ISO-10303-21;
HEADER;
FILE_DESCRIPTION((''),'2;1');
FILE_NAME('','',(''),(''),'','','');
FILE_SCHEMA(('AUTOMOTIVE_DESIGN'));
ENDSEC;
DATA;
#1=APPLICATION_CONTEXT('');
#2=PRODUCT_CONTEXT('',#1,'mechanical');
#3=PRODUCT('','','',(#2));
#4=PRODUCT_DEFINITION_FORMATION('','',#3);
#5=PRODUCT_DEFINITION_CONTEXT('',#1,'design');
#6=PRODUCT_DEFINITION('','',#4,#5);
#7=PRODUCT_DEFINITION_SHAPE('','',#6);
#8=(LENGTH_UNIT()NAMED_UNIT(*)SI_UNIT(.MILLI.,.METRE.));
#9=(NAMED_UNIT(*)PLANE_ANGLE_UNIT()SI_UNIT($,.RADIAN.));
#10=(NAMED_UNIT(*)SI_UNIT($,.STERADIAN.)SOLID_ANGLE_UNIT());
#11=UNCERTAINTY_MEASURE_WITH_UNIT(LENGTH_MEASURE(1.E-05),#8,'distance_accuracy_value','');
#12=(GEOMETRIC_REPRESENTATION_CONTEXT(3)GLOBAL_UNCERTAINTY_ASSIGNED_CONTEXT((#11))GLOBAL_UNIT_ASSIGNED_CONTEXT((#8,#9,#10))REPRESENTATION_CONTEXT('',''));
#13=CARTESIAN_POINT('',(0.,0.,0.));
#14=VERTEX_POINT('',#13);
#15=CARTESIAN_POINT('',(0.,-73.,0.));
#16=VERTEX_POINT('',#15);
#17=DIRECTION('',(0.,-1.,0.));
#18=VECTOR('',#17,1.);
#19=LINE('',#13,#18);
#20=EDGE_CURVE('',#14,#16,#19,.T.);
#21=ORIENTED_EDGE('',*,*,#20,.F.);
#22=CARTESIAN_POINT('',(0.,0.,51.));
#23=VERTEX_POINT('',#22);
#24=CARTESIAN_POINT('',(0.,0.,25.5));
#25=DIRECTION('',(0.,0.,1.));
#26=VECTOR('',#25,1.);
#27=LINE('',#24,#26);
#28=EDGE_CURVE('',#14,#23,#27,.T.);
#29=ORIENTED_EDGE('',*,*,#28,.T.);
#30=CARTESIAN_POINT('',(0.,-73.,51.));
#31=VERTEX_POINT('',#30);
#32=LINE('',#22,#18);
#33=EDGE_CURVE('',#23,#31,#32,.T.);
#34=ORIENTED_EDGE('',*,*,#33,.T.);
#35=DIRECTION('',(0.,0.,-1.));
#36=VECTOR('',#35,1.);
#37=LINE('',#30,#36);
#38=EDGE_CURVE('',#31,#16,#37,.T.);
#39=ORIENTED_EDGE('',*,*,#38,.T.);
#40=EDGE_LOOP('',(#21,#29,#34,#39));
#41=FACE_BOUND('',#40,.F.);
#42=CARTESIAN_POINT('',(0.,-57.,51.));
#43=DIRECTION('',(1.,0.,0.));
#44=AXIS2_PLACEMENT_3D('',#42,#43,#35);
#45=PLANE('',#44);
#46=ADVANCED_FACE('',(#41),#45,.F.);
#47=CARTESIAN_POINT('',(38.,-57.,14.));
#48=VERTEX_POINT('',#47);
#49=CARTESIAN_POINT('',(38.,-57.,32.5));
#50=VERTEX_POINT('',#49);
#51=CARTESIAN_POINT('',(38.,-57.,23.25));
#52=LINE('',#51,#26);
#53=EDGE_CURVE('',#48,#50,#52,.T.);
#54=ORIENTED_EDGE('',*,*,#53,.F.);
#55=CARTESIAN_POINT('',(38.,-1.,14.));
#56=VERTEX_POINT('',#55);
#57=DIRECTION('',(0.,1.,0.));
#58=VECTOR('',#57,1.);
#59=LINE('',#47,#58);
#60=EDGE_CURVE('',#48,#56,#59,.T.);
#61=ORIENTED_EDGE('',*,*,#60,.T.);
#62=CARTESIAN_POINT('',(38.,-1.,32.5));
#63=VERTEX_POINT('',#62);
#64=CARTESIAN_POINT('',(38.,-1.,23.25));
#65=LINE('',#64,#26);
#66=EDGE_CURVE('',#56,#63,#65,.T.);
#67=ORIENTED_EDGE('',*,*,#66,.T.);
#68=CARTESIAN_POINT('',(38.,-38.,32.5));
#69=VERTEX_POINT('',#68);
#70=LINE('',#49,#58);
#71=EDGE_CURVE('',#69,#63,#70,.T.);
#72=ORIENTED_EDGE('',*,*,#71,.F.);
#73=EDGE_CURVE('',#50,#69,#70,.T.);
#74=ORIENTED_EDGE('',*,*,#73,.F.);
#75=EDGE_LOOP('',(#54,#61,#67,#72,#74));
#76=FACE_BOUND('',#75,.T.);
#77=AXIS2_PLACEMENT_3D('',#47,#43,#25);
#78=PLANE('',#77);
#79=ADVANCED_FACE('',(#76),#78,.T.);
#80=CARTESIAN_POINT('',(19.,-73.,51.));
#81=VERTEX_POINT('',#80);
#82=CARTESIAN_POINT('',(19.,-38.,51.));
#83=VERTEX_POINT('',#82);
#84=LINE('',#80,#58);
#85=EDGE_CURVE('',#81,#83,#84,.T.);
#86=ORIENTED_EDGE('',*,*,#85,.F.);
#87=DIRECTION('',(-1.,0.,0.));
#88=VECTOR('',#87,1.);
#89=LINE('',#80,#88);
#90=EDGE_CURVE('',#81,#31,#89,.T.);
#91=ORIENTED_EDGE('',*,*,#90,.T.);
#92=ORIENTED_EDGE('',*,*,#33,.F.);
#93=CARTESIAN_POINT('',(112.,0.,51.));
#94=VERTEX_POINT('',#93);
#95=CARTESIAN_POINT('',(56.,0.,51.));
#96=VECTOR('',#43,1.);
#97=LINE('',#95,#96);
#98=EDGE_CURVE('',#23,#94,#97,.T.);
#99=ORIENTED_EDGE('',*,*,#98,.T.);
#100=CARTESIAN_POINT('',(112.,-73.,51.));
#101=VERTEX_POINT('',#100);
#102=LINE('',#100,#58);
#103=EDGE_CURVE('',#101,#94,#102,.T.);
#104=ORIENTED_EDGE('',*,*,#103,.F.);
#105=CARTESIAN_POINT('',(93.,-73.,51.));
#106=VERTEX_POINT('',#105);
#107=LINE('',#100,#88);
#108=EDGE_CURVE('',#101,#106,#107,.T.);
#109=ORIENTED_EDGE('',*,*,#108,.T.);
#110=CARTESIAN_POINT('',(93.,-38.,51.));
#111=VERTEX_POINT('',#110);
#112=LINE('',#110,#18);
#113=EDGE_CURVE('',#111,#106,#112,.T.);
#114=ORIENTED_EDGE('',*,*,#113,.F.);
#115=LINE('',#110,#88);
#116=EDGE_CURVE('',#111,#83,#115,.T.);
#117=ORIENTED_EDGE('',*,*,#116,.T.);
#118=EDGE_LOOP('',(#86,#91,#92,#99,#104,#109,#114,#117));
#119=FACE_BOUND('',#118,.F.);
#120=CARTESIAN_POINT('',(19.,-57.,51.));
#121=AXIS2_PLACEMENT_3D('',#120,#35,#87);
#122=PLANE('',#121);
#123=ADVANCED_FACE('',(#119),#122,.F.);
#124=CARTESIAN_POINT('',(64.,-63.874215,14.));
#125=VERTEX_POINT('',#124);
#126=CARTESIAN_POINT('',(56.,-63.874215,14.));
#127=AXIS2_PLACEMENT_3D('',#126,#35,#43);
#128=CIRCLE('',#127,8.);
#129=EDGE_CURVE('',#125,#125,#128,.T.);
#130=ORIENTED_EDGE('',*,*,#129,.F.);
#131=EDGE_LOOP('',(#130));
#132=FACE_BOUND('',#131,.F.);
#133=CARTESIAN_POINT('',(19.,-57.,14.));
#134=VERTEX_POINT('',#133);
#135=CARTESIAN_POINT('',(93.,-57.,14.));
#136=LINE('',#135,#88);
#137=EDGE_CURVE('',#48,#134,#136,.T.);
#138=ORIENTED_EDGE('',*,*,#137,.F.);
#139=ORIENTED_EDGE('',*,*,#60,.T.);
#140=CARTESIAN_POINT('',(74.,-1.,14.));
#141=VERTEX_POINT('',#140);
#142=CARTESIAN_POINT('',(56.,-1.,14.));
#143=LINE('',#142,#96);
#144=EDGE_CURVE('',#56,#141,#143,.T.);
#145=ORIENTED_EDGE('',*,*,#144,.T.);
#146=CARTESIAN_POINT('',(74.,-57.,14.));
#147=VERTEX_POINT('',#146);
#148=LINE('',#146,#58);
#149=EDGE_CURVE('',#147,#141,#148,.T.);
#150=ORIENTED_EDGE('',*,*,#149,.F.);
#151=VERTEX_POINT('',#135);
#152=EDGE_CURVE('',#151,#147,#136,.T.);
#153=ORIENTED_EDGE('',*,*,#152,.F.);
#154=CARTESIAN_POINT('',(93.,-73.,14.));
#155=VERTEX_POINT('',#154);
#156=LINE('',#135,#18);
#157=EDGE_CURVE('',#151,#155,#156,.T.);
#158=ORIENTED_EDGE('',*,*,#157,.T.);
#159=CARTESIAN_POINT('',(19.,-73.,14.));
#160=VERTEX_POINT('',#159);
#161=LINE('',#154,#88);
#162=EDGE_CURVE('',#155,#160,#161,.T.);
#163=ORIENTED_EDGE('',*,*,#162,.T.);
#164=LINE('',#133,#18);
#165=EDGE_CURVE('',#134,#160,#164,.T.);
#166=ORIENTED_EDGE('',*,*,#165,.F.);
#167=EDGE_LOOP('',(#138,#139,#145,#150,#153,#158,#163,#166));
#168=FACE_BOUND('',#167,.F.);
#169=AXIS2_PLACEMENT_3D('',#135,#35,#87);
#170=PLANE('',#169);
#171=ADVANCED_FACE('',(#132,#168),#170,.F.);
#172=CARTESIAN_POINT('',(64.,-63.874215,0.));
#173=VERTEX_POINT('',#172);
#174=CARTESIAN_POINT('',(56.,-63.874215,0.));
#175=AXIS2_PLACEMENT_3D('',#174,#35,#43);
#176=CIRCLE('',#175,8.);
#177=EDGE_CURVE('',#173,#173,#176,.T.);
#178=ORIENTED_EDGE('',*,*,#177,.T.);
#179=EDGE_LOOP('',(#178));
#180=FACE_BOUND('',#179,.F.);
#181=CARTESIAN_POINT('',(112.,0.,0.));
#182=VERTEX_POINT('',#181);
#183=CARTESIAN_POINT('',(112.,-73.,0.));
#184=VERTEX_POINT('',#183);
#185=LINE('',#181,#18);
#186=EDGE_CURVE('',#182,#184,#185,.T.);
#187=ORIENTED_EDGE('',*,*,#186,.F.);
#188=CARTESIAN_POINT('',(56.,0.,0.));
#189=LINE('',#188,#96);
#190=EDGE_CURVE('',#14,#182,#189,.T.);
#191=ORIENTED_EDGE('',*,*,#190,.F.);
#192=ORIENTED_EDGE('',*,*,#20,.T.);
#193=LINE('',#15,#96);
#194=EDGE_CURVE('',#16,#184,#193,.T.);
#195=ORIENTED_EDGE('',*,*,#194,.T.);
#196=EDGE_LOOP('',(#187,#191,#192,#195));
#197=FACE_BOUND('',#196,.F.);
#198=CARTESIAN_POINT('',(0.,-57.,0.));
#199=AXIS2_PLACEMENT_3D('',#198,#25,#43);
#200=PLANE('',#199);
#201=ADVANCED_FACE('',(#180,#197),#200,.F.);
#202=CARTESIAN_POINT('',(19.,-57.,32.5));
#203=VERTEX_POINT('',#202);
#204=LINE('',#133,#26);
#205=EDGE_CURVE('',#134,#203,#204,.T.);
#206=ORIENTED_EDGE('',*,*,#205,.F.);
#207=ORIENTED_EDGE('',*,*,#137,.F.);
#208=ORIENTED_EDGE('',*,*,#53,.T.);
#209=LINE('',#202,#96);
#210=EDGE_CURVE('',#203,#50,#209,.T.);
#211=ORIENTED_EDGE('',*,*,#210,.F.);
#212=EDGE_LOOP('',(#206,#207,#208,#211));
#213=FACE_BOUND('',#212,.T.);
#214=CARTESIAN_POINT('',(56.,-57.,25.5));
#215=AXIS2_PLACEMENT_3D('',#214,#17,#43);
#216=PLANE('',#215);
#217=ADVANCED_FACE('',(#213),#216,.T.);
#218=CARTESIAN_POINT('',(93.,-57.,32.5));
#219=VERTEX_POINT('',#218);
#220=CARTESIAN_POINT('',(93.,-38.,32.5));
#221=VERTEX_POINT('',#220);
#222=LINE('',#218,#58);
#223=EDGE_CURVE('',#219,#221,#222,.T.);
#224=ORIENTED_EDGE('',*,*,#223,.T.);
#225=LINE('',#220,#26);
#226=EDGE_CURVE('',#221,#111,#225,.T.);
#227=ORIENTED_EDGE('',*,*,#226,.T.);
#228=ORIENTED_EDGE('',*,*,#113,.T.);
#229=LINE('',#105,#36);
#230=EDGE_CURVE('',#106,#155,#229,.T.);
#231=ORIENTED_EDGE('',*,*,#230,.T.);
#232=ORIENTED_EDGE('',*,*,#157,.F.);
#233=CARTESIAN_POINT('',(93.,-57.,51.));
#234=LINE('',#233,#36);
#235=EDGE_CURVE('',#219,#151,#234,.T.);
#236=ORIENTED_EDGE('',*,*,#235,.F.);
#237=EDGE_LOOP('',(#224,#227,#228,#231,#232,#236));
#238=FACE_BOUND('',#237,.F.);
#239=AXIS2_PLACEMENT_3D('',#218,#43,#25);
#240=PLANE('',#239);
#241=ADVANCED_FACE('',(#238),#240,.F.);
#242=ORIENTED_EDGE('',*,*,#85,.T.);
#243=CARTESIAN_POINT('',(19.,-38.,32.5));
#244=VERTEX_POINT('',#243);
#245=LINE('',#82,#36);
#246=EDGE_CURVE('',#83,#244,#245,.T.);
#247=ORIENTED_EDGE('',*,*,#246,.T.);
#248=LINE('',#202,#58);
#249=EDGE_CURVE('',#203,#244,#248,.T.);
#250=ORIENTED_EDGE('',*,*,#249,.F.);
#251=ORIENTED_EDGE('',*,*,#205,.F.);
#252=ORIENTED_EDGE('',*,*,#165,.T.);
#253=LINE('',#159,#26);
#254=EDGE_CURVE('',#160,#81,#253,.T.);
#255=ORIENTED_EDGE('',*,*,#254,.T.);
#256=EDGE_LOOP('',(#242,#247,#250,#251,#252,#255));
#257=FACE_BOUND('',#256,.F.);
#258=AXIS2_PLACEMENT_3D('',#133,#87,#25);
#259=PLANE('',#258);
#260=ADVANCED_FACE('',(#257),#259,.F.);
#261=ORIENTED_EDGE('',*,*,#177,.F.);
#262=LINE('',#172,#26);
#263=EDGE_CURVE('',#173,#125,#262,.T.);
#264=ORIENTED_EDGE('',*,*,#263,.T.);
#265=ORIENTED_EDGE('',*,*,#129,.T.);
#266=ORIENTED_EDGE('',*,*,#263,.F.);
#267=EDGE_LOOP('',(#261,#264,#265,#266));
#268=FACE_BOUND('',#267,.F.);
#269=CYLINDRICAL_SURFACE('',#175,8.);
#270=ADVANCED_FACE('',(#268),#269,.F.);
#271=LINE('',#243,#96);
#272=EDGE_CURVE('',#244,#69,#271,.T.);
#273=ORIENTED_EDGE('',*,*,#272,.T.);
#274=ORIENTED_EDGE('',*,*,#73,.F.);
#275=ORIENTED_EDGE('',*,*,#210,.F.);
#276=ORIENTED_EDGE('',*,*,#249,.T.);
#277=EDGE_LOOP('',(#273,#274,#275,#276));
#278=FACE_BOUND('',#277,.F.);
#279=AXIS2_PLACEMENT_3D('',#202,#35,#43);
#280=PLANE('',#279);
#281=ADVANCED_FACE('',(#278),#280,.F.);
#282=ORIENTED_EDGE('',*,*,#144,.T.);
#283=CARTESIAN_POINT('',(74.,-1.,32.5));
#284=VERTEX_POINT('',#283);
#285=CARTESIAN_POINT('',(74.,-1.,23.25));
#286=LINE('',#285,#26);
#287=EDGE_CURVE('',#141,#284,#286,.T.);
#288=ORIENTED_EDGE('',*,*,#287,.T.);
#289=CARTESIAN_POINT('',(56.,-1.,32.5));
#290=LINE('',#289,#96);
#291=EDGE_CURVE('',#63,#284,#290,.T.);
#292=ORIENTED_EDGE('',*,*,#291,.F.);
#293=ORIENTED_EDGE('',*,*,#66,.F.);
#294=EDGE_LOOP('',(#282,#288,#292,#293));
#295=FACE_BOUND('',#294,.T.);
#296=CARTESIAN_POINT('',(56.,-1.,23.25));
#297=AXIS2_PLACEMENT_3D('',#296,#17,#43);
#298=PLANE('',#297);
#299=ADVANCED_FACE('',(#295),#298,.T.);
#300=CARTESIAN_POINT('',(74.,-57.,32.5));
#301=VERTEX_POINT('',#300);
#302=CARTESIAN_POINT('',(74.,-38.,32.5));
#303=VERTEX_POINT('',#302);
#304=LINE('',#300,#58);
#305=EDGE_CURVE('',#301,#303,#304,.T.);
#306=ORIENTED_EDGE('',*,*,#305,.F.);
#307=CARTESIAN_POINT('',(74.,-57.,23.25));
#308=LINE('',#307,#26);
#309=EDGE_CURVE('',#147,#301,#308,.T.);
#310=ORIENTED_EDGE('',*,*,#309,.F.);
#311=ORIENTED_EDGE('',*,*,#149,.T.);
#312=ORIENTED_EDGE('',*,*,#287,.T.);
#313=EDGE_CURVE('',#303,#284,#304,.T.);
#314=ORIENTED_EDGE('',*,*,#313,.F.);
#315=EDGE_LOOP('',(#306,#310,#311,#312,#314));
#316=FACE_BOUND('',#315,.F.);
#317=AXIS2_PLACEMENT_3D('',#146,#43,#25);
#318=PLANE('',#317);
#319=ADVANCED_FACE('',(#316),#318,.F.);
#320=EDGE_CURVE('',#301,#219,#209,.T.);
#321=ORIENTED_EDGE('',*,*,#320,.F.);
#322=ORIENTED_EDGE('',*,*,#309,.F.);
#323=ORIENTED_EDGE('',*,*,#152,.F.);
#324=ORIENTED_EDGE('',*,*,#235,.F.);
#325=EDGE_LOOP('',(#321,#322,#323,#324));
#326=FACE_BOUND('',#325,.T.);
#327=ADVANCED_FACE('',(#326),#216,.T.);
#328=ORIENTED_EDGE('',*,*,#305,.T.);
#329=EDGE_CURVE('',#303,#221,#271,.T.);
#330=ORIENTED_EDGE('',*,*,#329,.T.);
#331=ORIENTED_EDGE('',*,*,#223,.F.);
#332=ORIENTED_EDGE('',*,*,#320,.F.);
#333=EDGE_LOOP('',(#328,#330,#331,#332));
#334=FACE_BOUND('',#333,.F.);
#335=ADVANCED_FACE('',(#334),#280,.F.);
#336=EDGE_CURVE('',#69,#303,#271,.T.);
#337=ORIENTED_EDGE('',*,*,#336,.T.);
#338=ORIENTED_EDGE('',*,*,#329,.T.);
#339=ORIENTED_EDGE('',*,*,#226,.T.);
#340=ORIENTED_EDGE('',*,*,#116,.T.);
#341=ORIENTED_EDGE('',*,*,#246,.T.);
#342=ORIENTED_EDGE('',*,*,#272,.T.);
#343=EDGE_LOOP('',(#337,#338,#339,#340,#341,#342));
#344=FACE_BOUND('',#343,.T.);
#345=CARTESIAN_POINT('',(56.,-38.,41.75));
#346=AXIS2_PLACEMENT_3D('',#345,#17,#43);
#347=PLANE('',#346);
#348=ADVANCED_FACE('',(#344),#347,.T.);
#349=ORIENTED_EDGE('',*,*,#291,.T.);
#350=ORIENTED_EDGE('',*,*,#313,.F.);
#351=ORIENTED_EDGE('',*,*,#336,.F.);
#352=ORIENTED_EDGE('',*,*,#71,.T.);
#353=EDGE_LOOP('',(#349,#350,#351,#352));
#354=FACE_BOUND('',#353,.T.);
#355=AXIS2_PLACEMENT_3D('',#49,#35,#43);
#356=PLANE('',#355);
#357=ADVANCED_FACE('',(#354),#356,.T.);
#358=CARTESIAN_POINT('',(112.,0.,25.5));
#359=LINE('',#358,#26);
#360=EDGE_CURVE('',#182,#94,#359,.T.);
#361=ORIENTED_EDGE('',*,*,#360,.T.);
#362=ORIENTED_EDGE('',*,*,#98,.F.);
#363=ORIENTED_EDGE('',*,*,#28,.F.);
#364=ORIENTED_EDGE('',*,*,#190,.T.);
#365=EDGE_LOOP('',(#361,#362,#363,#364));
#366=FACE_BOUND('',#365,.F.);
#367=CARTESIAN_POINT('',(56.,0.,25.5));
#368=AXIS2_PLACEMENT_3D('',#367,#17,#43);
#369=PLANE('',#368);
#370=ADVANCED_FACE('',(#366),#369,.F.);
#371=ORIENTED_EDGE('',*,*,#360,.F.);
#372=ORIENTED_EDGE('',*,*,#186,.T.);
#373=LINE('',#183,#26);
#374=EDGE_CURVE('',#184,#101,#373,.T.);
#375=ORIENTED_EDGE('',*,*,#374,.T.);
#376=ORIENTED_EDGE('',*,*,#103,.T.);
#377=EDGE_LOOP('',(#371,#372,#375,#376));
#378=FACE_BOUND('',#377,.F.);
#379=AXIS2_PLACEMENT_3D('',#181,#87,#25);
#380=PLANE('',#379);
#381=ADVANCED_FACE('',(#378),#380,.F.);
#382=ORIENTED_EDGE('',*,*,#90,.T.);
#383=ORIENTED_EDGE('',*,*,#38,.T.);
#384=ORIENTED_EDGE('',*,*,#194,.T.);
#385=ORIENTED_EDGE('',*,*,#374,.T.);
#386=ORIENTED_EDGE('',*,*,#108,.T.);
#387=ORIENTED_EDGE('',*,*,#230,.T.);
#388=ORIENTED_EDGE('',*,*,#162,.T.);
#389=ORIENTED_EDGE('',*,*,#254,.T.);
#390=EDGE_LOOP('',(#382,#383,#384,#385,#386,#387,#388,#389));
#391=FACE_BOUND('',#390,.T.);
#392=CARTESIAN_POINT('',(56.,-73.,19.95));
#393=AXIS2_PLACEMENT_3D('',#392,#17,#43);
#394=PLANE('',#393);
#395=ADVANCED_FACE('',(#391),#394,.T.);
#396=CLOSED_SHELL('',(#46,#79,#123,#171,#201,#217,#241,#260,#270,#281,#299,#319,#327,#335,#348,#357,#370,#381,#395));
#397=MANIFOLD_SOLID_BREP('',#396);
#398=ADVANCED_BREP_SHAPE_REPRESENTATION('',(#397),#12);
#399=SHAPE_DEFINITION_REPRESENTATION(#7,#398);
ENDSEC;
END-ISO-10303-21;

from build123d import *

# Parameters (mm, degrees)
F0_W     = 112
F0_H     = 51
F1_DEPTH = 57
F3_DEPTH = 19
F4_DEPTH = 16
F2_W     = 36
F2_H     = 18.5
F5_DEPTH = 56
F6_R     = 8
F7_DEPTH = 16


with BuildPart() as f1:
    # F0 (on Front) → F1 (new body)
    with BuildSketch(Plane.XZ):
        with Locations((56, 25.5)):
            Rectangle(F0_W, F0_H)
    extrude(amount=F1_DEPTH)

    # F2 (on face) → F3 (cut)
    with BuildSketch(Plane.XZ.offset(57)):
        Polygon((93, 51), (19, 51), (19, 32.5), (38, 32.5), (74, 32.5), (93, 32.5), align=None)
    extrude(amount=-F3_DEPTH, mode=Mode.SUBTRACT)

    # F2 (on face) → F4 (join)
    with BuildSketch(Plane.XZ.offset(57)):
        Polygon((19, 32.5), (19, 51), (0, 51), (0, 0), (112, 0), (112, 51), (93, 51), (93, 32.5), (93, 14), (74, 14), (38, 14), (19, 14), align=None)
    extrude(amount=F4_DEPTH)

    # F2 (on face) → F5 (cut)
    with BuildSketch(Plane.XZ.offset(57)):
        with Locations((56, 23.25)):
            Rectangle(F2_W, F2_H)
    extrude(amount=-F5_DEPTH, mode=Mode.SUBTRACT)

    # F6 (on face) → F7 (cut)
    with BuildSketch(Plane(origin=(0, 0, 0), x_dir=(1, 0, 0), z_dir=(0, 0, -1))):
        with Locations((56, 63.874215)):
            Circle(F6_R)
    extrude(amount=-F7_DEPTH, mode=Mode.SUBTRACT)


solid = f1.part
